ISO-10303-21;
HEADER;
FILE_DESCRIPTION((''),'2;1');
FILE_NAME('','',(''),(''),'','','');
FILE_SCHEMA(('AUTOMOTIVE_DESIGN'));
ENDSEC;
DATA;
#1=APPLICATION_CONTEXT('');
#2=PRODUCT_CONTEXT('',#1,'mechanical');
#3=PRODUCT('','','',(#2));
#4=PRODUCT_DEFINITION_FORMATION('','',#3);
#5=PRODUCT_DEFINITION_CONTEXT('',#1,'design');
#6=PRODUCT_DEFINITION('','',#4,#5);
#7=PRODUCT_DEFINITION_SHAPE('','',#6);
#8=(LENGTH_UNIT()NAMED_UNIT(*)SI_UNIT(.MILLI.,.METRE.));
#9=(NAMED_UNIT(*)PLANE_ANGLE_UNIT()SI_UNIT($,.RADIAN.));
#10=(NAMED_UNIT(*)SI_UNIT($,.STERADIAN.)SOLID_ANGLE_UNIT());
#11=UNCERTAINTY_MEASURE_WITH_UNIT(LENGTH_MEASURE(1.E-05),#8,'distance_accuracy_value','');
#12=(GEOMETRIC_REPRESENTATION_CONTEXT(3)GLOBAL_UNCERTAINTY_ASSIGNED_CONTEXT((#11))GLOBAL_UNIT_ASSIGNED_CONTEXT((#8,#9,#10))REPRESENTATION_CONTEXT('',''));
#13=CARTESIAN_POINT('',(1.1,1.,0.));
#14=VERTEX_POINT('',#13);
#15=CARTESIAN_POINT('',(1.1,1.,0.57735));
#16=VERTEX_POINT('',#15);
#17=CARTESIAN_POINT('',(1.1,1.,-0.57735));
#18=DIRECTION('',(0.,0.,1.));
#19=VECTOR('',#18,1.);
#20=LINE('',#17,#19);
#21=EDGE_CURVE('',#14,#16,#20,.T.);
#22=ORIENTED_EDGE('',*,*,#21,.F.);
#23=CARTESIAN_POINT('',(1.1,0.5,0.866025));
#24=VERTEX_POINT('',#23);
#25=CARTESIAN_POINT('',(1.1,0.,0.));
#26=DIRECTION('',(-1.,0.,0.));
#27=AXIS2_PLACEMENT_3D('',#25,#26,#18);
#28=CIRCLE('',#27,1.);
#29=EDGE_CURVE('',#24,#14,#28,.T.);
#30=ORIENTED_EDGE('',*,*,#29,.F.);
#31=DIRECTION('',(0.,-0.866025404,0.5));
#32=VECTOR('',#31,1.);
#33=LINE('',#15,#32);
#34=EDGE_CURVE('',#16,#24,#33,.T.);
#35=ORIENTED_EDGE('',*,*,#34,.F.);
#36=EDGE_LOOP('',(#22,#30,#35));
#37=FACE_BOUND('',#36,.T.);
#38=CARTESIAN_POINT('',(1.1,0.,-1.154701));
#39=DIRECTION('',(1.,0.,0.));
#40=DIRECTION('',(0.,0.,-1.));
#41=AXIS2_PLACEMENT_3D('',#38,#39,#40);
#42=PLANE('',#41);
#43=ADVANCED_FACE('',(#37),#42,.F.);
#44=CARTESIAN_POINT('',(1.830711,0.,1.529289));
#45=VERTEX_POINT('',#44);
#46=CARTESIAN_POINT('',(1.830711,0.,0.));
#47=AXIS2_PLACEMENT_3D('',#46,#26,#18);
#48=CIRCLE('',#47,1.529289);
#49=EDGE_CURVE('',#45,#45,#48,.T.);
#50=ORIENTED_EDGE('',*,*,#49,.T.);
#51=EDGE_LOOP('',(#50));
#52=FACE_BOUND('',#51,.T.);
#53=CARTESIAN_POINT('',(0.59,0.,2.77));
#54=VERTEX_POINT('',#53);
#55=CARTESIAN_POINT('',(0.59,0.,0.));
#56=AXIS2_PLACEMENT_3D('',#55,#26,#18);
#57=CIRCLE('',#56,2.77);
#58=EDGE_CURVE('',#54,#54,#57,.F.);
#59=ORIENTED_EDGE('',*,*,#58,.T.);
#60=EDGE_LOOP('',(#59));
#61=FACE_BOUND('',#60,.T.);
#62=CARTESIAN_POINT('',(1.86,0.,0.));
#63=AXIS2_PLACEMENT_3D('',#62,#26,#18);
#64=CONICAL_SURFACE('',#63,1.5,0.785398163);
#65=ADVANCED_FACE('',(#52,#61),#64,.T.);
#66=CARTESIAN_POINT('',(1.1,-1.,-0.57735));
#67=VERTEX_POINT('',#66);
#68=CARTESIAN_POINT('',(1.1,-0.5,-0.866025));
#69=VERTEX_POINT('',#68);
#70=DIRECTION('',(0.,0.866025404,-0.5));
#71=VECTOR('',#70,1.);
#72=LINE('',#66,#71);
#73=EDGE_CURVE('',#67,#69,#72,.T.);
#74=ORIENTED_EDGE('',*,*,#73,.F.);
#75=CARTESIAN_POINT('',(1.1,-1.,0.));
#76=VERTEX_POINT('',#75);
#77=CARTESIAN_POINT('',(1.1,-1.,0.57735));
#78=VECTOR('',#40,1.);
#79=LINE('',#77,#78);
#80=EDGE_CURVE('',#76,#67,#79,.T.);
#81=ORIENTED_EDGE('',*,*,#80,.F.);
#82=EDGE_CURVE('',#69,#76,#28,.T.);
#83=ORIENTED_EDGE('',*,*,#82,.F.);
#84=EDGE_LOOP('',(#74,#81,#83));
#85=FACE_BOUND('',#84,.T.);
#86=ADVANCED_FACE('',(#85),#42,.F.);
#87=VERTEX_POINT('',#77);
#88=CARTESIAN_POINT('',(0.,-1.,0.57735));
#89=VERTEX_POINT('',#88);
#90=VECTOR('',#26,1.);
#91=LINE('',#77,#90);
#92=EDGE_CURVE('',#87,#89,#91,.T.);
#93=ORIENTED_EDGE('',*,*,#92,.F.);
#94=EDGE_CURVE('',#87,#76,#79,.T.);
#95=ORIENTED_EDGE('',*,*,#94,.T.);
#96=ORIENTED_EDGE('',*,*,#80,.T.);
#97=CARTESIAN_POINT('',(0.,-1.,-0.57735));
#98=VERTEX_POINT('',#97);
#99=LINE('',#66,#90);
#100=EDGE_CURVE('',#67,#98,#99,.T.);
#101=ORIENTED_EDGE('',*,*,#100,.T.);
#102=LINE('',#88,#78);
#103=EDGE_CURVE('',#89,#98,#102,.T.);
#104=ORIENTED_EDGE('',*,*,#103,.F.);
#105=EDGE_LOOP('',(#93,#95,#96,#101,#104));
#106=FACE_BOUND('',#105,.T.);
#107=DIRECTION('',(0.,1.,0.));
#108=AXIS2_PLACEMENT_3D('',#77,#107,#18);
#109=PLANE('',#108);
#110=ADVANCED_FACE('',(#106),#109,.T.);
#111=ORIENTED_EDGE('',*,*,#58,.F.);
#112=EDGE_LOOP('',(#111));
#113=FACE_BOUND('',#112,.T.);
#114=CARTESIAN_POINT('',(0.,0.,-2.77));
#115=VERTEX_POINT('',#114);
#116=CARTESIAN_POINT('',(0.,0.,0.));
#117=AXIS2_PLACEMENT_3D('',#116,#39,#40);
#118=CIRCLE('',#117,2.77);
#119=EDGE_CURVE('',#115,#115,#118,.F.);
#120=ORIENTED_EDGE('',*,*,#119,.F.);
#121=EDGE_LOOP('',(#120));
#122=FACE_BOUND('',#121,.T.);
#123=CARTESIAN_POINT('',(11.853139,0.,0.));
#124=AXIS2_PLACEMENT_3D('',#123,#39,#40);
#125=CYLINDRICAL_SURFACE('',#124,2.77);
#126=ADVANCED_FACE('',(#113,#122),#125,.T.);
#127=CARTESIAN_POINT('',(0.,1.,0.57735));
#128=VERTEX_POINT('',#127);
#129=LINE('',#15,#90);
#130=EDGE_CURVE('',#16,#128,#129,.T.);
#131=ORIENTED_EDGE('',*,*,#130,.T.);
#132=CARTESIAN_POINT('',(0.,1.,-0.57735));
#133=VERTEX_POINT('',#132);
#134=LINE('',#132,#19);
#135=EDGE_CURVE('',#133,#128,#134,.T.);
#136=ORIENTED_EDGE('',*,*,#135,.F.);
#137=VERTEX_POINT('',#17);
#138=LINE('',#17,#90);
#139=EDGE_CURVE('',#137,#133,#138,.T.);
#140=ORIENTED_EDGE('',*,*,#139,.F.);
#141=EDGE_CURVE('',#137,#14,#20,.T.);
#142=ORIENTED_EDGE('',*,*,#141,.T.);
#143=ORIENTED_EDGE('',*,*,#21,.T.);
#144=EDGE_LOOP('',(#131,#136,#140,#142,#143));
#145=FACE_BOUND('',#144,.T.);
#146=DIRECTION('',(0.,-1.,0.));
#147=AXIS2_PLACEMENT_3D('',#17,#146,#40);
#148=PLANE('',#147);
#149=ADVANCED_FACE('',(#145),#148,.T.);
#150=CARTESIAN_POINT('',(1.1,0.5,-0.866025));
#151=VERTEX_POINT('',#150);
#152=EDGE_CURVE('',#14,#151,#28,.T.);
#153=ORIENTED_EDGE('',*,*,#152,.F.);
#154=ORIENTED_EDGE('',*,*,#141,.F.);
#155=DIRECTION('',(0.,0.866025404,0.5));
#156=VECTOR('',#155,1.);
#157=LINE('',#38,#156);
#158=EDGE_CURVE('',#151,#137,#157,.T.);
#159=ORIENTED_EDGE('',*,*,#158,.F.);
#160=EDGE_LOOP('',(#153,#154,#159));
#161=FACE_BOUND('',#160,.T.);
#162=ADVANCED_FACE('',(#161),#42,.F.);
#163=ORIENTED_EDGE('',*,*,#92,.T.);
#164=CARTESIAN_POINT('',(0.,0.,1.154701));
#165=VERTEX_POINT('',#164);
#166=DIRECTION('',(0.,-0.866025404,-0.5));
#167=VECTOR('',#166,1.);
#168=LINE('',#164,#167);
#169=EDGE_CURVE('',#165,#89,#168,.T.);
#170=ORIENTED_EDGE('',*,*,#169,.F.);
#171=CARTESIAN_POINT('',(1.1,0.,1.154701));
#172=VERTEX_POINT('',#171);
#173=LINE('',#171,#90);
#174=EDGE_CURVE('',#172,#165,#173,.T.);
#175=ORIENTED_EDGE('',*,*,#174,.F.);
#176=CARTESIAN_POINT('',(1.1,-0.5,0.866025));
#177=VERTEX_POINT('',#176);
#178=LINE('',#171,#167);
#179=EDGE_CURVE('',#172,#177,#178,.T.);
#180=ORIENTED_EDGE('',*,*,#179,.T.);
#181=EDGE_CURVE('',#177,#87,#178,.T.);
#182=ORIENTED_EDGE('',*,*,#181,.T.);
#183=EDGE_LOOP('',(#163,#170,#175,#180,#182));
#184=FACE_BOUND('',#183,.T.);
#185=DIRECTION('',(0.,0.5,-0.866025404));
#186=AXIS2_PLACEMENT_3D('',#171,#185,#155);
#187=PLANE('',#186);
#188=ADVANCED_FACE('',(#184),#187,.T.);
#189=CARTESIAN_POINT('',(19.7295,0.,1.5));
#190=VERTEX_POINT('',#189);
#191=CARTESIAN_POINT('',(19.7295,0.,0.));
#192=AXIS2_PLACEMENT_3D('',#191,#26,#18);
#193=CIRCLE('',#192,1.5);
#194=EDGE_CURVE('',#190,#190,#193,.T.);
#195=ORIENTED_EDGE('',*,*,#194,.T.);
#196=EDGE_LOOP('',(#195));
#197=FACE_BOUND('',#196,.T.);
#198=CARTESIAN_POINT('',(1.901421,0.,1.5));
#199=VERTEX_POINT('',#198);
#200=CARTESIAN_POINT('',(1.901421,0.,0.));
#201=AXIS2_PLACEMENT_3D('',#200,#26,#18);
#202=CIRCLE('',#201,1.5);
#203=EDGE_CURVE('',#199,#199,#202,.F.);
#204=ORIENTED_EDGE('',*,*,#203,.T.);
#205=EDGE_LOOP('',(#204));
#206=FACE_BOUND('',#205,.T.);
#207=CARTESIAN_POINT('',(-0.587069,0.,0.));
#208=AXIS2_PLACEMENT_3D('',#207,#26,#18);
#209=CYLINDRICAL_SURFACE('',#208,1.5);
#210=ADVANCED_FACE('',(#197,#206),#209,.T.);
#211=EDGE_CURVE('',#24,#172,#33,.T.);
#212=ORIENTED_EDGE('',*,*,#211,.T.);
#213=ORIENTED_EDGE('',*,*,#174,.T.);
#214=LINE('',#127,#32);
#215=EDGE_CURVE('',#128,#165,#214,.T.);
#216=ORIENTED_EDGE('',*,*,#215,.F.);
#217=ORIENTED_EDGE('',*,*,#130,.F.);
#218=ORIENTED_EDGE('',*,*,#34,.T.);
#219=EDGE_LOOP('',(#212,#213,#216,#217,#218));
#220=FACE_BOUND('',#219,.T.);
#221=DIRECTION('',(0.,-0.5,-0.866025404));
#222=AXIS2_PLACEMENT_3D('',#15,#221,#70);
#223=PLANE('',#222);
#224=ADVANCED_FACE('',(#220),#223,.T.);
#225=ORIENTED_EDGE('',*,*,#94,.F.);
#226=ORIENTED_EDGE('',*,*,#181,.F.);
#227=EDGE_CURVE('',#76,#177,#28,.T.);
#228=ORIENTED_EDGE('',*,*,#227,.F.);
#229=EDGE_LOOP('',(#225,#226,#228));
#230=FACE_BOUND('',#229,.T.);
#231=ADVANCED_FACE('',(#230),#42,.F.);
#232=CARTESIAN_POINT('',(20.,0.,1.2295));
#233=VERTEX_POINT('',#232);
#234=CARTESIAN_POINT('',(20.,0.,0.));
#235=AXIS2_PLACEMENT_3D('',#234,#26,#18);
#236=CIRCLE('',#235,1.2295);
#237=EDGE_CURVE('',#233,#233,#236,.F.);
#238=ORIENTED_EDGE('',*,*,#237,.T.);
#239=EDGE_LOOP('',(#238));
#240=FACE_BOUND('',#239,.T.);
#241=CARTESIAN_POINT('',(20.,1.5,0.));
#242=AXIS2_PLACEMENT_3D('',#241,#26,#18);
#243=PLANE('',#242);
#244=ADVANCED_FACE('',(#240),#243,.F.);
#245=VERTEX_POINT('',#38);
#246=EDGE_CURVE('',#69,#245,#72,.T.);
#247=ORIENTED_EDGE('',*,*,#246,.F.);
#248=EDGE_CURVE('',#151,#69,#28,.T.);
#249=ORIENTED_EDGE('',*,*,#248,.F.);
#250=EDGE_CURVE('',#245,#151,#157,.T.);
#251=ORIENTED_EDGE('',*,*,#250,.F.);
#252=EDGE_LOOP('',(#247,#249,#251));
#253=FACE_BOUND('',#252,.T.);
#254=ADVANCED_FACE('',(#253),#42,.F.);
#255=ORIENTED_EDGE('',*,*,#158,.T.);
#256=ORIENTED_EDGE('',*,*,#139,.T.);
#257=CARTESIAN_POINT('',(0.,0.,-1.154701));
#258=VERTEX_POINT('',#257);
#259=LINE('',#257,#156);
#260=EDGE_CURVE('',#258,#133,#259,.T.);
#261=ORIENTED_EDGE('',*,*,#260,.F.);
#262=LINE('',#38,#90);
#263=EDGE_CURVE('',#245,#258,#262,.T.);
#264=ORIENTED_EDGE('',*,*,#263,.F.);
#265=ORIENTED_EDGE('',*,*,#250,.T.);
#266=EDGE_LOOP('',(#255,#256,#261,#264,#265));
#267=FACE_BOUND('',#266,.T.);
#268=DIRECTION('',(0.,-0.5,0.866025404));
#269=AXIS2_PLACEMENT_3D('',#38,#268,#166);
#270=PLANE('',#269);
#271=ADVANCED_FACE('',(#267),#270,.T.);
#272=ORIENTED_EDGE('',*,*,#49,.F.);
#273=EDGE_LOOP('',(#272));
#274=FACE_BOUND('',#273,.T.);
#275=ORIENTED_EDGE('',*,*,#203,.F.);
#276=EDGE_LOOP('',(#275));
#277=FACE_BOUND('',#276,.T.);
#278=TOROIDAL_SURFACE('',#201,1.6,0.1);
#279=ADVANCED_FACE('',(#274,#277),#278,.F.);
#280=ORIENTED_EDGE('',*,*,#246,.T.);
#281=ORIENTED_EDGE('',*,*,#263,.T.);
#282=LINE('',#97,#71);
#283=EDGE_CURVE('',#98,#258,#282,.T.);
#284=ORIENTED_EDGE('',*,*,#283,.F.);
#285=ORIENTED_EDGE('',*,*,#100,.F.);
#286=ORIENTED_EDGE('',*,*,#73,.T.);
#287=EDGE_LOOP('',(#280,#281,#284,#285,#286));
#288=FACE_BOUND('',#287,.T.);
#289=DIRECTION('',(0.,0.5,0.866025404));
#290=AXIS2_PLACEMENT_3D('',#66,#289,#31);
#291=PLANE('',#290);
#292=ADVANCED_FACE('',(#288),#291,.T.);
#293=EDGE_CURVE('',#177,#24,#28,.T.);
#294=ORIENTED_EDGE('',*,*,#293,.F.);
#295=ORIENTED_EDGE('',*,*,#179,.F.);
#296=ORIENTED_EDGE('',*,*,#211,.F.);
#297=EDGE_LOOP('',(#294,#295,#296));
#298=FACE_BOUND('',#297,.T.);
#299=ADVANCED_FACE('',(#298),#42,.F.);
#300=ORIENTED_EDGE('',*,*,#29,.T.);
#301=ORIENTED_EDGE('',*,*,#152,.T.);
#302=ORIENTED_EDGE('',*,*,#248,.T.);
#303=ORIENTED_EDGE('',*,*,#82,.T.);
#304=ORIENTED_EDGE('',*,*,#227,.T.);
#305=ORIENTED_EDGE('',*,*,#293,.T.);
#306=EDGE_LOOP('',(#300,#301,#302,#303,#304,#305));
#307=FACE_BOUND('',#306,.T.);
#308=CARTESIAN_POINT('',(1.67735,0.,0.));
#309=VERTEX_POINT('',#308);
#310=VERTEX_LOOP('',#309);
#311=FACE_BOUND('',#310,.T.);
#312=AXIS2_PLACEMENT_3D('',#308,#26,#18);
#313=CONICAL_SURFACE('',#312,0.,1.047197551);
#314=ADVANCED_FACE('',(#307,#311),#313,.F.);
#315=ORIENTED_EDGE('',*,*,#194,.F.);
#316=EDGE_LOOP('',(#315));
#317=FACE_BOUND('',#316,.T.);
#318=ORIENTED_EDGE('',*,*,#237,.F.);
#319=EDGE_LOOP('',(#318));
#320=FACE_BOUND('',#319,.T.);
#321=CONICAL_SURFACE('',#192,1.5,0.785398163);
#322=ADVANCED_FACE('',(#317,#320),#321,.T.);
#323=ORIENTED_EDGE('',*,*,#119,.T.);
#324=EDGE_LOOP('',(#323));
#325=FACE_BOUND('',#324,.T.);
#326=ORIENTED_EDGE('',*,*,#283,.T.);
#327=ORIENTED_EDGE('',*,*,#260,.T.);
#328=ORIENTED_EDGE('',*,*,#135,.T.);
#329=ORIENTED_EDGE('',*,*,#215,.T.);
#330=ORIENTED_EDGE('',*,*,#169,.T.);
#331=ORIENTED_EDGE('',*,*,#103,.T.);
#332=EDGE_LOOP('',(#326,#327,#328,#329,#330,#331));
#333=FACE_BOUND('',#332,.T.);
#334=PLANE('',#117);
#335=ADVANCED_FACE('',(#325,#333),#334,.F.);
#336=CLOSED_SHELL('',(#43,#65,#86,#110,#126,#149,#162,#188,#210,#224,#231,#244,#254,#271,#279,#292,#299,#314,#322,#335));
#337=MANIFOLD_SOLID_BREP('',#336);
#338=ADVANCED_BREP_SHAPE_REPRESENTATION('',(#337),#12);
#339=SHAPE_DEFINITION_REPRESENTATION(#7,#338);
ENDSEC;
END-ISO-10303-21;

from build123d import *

# Parameters (mm, degrees)
HEXAGONSOCKET_DEPTH = 1.1
HEADFILLET_R        = 0.1
CHAMFER_2_SIZE      = 0.2705
SKETCH4_W           = 5
SKETCH4_H           = 5


with BuildPart() as part:
    # Sketch1 → Base (revolve)
    with BuildSketch(Plane.XY, mode=Mode.PRIVATE) as base_sk:
        Polygon((0, 0), (0, 3.36), (1.86, 1.5), (20, 1.5), (20, 0), align=None)
    revolve(base_sk.sketch.rotate(Axis((-0.587069181, 0, 0), (1, 0, 0)), 90), axis=Axis((-0.587069181, 0, 0), (1, 0, 0)))

    # Sketch2 → HexagonSocket (cut)
    with BuildSketch(Plane(origin=(0, 0, 0), x_dir=(0, 0, -1), z_dir=(1, 0, 0))):
        Polygon((1.154700538, 0), (0.577350269, 1), (-0.577350269, 1), (-1.154700538, 0), (-0.577350269, -1), (0.577350269, -1), align=None)
    extrude(amount=HEXAGONSOCKET_DEPTH, mode=Mode.SUBTRACT)

    # Sketch3 → Cut-Revolve1 (revolve, cut)
    with BuildSketch(Plane.XY, mode=Mode.PRIVATE) as cut_revolve1_sk:
        Polygon((1.1, 1), (1.677350269, 0), (1.1, 0), align=None)
    revolve(cut_revolve1_sk.sketch.rotate(Axis((-0.439109555, 0, 0), (1, 0, 0)), 90), axis=Axis((-0.439109555, 0, 0), (1, 0, 0)), mode=Mode.SUBTRACT)

    # HeadFillet
    headfillet_edges = [part.edges().sort_by_distance(p)[0] for p in [
        (1.86, 0, -1.5),
    ]]
    fillet(headfillet_edges, radius=HEADFILLET_R)

    # Chamfer 2
    chamfer_2_edges = [part.edges().sort_by_distance(p)[0] for p in [
        (20, 0, -1.5),
    ]]
    chamfer(chamfer_2_edges, length=CHAMFER_2_SIZE)

    # Sketch4 → Cut-Revolve2 (revolve, cut)
    with BuildSketch(Plane(origin=(0, 0, 0), x_dir=(1, 0, 0), z_dir=(0, 1, 0)), mode=Mode.PRIVATE) as cut_revolve2_sk:
        with Locations((0.5, 5.27)):
            Rectangle(SKETCH4_W, SKETCH4_H)
    revolve(cut_revolve2_sk.sketch.rotate(Axis((11.853138686, 0, 0), (-1, 0, 0)), 180), axis=Axis((11.853138686, 0, 0), (-1, 0, 0)), mode=Mode.SUBTRACT)


solid = part.part
